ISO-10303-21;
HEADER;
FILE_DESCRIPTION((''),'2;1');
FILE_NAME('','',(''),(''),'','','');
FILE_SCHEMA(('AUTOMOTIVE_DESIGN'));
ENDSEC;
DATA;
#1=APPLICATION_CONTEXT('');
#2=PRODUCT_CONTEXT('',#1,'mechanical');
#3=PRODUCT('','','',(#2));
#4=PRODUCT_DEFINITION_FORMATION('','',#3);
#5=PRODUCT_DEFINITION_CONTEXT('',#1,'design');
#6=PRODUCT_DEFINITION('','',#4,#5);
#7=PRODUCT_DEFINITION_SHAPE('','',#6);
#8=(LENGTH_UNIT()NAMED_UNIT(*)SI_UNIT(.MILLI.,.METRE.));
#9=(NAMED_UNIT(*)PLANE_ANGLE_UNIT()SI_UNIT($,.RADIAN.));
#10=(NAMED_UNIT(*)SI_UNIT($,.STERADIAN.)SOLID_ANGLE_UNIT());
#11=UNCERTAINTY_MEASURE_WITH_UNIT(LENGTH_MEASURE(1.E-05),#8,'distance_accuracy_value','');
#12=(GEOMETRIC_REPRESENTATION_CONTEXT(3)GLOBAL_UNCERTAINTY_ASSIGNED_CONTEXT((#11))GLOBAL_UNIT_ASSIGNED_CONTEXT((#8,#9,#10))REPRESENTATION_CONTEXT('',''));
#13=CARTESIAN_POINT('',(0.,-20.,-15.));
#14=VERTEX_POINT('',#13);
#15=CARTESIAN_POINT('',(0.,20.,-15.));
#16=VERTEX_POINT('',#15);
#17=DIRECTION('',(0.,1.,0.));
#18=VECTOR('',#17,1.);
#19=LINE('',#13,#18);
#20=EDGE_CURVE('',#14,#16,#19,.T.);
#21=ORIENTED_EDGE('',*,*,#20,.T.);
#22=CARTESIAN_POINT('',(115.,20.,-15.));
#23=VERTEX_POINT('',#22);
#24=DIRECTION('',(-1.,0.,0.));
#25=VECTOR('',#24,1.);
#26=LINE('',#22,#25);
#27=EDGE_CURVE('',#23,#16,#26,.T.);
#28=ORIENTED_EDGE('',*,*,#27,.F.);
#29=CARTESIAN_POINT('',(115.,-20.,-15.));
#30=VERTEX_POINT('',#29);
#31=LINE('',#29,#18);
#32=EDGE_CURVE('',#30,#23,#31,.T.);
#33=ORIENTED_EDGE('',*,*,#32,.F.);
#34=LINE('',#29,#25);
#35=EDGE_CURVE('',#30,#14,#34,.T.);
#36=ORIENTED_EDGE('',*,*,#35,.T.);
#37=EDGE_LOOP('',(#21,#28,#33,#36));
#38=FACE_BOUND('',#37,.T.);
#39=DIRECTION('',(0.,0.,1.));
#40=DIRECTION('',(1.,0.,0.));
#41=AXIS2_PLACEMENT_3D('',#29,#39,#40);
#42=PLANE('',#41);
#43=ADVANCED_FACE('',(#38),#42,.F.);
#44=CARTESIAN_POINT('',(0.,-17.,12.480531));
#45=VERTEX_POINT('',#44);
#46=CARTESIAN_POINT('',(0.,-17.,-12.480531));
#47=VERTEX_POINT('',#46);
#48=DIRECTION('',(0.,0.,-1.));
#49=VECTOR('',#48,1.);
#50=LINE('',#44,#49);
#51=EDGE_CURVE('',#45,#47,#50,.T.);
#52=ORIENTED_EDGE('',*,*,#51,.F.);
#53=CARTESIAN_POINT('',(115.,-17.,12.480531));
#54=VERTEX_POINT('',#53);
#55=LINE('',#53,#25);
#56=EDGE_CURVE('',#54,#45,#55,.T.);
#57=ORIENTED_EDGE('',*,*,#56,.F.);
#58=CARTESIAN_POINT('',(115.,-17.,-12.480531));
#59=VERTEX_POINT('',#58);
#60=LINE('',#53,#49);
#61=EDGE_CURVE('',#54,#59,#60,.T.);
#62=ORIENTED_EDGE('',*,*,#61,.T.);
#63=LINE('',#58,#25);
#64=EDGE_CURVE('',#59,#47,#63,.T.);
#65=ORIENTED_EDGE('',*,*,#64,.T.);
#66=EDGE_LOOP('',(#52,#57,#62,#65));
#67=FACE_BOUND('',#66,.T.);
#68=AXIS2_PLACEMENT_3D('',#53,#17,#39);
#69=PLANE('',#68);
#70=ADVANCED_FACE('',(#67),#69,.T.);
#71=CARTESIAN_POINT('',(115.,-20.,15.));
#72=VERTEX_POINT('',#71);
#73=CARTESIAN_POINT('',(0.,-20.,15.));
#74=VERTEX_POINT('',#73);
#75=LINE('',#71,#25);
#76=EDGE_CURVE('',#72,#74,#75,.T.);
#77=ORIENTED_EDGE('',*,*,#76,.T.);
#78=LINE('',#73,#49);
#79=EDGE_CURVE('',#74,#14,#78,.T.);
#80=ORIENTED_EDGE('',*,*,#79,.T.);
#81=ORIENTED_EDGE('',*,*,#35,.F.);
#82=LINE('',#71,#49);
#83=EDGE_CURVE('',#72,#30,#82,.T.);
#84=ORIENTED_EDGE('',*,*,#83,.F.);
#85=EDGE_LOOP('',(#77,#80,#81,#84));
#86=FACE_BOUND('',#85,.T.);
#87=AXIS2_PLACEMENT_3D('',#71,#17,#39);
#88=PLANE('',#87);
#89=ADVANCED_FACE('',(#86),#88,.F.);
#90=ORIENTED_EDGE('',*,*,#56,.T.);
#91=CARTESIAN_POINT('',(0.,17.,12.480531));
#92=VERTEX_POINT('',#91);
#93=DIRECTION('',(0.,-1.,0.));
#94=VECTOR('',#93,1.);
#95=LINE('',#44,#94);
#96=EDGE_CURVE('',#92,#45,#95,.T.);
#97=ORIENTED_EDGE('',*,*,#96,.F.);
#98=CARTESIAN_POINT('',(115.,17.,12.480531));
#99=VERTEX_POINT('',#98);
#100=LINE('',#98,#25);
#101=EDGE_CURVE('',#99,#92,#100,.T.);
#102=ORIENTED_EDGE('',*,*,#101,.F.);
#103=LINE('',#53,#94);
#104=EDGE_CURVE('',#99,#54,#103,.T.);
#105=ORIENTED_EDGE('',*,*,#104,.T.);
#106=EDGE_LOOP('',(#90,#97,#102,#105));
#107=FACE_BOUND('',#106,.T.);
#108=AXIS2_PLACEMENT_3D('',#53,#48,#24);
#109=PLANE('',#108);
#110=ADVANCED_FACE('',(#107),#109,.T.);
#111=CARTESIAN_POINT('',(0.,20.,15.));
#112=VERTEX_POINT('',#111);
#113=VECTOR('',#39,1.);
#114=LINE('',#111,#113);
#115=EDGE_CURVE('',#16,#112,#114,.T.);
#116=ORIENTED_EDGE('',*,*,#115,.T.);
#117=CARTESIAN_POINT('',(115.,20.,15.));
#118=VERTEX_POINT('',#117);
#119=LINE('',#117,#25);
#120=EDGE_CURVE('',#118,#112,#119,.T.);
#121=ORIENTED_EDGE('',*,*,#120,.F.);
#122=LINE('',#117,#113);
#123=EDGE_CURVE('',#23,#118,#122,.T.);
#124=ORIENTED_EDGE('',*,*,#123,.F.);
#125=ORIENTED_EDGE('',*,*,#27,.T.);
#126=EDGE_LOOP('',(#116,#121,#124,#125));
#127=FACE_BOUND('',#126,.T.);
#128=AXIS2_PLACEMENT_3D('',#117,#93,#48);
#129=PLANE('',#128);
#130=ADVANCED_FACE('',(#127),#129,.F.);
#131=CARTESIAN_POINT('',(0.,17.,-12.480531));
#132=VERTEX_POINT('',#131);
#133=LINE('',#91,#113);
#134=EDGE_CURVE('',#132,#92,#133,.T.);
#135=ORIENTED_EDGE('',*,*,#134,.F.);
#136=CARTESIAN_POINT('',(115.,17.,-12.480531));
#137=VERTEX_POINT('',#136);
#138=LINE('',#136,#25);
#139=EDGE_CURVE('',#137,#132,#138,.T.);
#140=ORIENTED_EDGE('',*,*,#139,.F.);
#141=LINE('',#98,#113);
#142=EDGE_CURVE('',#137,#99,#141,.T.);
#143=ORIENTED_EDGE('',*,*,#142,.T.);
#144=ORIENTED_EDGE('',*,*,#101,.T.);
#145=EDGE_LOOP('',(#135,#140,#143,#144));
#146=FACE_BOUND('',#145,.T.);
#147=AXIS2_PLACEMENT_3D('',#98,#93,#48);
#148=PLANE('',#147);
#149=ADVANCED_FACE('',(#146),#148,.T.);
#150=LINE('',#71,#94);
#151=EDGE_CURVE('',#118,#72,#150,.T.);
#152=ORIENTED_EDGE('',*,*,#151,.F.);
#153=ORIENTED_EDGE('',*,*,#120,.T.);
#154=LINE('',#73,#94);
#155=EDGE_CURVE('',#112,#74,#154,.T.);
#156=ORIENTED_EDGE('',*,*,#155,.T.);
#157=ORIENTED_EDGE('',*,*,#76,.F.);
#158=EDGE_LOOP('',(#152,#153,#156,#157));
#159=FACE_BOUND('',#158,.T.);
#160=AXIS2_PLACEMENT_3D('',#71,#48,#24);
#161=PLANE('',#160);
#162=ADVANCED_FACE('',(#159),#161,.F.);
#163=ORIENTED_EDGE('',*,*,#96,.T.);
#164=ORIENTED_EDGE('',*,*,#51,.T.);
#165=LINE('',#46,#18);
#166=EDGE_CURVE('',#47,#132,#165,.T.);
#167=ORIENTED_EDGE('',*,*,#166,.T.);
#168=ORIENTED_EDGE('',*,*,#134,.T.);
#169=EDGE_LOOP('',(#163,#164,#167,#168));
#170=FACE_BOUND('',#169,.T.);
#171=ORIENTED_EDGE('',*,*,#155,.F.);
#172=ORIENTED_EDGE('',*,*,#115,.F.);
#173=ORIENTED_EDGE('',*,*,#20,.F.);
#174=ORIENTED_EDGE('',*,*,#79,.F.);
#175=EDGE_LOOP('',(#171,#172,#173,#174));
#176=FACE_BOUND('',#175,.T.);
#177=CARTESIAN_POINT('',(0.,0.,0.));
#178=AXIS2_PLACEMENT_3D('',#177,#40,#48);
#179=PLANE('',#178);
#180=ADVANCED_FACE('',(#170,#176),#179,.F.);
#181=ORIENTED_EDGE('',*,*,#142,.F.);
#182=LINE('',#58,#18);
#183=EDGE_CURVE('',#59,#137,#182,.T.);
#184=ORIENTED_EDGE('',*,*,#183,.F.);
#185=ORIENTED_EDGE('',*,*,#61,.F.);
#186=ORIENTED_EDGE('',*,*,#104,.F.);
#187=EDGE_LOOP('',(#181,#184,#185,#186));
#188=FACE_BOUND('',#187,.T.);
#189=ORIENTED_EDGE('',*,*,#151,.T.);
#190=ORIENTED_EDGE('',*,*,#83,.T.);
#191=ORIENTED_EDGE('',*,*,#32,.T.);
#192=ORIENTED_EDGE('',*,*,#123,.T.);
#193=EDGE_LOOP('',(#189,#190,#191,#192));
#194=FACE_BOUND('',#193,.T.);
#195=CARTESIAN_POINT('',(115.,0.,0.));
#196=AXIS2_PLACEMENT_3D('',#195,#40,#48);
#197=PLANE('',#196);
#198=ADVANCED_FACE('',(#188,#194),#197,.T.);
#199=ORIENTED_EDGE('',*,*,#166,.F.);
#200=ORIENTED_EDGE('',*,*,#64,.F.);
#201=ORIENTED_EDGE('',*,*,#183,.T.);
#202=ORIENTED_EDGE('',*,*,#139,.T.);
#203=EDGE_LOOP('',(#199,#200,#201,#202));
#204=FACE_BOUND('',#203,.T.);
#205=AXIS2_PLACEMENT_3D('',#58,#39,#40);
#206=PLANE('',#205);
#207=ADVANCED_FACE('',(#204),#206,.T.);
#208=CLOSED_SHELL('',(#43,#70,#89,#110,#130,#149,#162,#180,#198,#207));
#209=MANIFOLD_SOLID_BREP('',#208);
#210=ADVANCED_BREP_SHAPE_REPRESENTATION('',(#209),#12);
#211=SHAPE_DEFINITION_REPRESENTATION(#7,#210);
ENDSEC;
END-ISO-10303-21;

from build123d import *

# Parameters (mm, degrees)
CROQUIS1_W              = 30
CROQUIS1_H              = 40
CROQUIS1_W_2            = 24.961062678
CROQUIS1_H_2            = 34
SALIENTE_EXTRUIR1_DEPTH = 115


with BuildPart() as part:
    # Croquis1 → Saliente-Extruir1 (new body)
    with BuildSketch(Plane(origin=(0, 0, 0), x_dir=(0, 0, -1), z_dir=(1, 0, 0))):
        Rectangle(CROQUIS1_W, CROQUIS1_H)
        Rectangle(CROQUIS1_W_2, CROQUIS1_H_2, mode=Mode.SUBTRACT)
    extrude(amount=SALIENTE_EXTRUIR1_DEPTH)


solid = part.part
